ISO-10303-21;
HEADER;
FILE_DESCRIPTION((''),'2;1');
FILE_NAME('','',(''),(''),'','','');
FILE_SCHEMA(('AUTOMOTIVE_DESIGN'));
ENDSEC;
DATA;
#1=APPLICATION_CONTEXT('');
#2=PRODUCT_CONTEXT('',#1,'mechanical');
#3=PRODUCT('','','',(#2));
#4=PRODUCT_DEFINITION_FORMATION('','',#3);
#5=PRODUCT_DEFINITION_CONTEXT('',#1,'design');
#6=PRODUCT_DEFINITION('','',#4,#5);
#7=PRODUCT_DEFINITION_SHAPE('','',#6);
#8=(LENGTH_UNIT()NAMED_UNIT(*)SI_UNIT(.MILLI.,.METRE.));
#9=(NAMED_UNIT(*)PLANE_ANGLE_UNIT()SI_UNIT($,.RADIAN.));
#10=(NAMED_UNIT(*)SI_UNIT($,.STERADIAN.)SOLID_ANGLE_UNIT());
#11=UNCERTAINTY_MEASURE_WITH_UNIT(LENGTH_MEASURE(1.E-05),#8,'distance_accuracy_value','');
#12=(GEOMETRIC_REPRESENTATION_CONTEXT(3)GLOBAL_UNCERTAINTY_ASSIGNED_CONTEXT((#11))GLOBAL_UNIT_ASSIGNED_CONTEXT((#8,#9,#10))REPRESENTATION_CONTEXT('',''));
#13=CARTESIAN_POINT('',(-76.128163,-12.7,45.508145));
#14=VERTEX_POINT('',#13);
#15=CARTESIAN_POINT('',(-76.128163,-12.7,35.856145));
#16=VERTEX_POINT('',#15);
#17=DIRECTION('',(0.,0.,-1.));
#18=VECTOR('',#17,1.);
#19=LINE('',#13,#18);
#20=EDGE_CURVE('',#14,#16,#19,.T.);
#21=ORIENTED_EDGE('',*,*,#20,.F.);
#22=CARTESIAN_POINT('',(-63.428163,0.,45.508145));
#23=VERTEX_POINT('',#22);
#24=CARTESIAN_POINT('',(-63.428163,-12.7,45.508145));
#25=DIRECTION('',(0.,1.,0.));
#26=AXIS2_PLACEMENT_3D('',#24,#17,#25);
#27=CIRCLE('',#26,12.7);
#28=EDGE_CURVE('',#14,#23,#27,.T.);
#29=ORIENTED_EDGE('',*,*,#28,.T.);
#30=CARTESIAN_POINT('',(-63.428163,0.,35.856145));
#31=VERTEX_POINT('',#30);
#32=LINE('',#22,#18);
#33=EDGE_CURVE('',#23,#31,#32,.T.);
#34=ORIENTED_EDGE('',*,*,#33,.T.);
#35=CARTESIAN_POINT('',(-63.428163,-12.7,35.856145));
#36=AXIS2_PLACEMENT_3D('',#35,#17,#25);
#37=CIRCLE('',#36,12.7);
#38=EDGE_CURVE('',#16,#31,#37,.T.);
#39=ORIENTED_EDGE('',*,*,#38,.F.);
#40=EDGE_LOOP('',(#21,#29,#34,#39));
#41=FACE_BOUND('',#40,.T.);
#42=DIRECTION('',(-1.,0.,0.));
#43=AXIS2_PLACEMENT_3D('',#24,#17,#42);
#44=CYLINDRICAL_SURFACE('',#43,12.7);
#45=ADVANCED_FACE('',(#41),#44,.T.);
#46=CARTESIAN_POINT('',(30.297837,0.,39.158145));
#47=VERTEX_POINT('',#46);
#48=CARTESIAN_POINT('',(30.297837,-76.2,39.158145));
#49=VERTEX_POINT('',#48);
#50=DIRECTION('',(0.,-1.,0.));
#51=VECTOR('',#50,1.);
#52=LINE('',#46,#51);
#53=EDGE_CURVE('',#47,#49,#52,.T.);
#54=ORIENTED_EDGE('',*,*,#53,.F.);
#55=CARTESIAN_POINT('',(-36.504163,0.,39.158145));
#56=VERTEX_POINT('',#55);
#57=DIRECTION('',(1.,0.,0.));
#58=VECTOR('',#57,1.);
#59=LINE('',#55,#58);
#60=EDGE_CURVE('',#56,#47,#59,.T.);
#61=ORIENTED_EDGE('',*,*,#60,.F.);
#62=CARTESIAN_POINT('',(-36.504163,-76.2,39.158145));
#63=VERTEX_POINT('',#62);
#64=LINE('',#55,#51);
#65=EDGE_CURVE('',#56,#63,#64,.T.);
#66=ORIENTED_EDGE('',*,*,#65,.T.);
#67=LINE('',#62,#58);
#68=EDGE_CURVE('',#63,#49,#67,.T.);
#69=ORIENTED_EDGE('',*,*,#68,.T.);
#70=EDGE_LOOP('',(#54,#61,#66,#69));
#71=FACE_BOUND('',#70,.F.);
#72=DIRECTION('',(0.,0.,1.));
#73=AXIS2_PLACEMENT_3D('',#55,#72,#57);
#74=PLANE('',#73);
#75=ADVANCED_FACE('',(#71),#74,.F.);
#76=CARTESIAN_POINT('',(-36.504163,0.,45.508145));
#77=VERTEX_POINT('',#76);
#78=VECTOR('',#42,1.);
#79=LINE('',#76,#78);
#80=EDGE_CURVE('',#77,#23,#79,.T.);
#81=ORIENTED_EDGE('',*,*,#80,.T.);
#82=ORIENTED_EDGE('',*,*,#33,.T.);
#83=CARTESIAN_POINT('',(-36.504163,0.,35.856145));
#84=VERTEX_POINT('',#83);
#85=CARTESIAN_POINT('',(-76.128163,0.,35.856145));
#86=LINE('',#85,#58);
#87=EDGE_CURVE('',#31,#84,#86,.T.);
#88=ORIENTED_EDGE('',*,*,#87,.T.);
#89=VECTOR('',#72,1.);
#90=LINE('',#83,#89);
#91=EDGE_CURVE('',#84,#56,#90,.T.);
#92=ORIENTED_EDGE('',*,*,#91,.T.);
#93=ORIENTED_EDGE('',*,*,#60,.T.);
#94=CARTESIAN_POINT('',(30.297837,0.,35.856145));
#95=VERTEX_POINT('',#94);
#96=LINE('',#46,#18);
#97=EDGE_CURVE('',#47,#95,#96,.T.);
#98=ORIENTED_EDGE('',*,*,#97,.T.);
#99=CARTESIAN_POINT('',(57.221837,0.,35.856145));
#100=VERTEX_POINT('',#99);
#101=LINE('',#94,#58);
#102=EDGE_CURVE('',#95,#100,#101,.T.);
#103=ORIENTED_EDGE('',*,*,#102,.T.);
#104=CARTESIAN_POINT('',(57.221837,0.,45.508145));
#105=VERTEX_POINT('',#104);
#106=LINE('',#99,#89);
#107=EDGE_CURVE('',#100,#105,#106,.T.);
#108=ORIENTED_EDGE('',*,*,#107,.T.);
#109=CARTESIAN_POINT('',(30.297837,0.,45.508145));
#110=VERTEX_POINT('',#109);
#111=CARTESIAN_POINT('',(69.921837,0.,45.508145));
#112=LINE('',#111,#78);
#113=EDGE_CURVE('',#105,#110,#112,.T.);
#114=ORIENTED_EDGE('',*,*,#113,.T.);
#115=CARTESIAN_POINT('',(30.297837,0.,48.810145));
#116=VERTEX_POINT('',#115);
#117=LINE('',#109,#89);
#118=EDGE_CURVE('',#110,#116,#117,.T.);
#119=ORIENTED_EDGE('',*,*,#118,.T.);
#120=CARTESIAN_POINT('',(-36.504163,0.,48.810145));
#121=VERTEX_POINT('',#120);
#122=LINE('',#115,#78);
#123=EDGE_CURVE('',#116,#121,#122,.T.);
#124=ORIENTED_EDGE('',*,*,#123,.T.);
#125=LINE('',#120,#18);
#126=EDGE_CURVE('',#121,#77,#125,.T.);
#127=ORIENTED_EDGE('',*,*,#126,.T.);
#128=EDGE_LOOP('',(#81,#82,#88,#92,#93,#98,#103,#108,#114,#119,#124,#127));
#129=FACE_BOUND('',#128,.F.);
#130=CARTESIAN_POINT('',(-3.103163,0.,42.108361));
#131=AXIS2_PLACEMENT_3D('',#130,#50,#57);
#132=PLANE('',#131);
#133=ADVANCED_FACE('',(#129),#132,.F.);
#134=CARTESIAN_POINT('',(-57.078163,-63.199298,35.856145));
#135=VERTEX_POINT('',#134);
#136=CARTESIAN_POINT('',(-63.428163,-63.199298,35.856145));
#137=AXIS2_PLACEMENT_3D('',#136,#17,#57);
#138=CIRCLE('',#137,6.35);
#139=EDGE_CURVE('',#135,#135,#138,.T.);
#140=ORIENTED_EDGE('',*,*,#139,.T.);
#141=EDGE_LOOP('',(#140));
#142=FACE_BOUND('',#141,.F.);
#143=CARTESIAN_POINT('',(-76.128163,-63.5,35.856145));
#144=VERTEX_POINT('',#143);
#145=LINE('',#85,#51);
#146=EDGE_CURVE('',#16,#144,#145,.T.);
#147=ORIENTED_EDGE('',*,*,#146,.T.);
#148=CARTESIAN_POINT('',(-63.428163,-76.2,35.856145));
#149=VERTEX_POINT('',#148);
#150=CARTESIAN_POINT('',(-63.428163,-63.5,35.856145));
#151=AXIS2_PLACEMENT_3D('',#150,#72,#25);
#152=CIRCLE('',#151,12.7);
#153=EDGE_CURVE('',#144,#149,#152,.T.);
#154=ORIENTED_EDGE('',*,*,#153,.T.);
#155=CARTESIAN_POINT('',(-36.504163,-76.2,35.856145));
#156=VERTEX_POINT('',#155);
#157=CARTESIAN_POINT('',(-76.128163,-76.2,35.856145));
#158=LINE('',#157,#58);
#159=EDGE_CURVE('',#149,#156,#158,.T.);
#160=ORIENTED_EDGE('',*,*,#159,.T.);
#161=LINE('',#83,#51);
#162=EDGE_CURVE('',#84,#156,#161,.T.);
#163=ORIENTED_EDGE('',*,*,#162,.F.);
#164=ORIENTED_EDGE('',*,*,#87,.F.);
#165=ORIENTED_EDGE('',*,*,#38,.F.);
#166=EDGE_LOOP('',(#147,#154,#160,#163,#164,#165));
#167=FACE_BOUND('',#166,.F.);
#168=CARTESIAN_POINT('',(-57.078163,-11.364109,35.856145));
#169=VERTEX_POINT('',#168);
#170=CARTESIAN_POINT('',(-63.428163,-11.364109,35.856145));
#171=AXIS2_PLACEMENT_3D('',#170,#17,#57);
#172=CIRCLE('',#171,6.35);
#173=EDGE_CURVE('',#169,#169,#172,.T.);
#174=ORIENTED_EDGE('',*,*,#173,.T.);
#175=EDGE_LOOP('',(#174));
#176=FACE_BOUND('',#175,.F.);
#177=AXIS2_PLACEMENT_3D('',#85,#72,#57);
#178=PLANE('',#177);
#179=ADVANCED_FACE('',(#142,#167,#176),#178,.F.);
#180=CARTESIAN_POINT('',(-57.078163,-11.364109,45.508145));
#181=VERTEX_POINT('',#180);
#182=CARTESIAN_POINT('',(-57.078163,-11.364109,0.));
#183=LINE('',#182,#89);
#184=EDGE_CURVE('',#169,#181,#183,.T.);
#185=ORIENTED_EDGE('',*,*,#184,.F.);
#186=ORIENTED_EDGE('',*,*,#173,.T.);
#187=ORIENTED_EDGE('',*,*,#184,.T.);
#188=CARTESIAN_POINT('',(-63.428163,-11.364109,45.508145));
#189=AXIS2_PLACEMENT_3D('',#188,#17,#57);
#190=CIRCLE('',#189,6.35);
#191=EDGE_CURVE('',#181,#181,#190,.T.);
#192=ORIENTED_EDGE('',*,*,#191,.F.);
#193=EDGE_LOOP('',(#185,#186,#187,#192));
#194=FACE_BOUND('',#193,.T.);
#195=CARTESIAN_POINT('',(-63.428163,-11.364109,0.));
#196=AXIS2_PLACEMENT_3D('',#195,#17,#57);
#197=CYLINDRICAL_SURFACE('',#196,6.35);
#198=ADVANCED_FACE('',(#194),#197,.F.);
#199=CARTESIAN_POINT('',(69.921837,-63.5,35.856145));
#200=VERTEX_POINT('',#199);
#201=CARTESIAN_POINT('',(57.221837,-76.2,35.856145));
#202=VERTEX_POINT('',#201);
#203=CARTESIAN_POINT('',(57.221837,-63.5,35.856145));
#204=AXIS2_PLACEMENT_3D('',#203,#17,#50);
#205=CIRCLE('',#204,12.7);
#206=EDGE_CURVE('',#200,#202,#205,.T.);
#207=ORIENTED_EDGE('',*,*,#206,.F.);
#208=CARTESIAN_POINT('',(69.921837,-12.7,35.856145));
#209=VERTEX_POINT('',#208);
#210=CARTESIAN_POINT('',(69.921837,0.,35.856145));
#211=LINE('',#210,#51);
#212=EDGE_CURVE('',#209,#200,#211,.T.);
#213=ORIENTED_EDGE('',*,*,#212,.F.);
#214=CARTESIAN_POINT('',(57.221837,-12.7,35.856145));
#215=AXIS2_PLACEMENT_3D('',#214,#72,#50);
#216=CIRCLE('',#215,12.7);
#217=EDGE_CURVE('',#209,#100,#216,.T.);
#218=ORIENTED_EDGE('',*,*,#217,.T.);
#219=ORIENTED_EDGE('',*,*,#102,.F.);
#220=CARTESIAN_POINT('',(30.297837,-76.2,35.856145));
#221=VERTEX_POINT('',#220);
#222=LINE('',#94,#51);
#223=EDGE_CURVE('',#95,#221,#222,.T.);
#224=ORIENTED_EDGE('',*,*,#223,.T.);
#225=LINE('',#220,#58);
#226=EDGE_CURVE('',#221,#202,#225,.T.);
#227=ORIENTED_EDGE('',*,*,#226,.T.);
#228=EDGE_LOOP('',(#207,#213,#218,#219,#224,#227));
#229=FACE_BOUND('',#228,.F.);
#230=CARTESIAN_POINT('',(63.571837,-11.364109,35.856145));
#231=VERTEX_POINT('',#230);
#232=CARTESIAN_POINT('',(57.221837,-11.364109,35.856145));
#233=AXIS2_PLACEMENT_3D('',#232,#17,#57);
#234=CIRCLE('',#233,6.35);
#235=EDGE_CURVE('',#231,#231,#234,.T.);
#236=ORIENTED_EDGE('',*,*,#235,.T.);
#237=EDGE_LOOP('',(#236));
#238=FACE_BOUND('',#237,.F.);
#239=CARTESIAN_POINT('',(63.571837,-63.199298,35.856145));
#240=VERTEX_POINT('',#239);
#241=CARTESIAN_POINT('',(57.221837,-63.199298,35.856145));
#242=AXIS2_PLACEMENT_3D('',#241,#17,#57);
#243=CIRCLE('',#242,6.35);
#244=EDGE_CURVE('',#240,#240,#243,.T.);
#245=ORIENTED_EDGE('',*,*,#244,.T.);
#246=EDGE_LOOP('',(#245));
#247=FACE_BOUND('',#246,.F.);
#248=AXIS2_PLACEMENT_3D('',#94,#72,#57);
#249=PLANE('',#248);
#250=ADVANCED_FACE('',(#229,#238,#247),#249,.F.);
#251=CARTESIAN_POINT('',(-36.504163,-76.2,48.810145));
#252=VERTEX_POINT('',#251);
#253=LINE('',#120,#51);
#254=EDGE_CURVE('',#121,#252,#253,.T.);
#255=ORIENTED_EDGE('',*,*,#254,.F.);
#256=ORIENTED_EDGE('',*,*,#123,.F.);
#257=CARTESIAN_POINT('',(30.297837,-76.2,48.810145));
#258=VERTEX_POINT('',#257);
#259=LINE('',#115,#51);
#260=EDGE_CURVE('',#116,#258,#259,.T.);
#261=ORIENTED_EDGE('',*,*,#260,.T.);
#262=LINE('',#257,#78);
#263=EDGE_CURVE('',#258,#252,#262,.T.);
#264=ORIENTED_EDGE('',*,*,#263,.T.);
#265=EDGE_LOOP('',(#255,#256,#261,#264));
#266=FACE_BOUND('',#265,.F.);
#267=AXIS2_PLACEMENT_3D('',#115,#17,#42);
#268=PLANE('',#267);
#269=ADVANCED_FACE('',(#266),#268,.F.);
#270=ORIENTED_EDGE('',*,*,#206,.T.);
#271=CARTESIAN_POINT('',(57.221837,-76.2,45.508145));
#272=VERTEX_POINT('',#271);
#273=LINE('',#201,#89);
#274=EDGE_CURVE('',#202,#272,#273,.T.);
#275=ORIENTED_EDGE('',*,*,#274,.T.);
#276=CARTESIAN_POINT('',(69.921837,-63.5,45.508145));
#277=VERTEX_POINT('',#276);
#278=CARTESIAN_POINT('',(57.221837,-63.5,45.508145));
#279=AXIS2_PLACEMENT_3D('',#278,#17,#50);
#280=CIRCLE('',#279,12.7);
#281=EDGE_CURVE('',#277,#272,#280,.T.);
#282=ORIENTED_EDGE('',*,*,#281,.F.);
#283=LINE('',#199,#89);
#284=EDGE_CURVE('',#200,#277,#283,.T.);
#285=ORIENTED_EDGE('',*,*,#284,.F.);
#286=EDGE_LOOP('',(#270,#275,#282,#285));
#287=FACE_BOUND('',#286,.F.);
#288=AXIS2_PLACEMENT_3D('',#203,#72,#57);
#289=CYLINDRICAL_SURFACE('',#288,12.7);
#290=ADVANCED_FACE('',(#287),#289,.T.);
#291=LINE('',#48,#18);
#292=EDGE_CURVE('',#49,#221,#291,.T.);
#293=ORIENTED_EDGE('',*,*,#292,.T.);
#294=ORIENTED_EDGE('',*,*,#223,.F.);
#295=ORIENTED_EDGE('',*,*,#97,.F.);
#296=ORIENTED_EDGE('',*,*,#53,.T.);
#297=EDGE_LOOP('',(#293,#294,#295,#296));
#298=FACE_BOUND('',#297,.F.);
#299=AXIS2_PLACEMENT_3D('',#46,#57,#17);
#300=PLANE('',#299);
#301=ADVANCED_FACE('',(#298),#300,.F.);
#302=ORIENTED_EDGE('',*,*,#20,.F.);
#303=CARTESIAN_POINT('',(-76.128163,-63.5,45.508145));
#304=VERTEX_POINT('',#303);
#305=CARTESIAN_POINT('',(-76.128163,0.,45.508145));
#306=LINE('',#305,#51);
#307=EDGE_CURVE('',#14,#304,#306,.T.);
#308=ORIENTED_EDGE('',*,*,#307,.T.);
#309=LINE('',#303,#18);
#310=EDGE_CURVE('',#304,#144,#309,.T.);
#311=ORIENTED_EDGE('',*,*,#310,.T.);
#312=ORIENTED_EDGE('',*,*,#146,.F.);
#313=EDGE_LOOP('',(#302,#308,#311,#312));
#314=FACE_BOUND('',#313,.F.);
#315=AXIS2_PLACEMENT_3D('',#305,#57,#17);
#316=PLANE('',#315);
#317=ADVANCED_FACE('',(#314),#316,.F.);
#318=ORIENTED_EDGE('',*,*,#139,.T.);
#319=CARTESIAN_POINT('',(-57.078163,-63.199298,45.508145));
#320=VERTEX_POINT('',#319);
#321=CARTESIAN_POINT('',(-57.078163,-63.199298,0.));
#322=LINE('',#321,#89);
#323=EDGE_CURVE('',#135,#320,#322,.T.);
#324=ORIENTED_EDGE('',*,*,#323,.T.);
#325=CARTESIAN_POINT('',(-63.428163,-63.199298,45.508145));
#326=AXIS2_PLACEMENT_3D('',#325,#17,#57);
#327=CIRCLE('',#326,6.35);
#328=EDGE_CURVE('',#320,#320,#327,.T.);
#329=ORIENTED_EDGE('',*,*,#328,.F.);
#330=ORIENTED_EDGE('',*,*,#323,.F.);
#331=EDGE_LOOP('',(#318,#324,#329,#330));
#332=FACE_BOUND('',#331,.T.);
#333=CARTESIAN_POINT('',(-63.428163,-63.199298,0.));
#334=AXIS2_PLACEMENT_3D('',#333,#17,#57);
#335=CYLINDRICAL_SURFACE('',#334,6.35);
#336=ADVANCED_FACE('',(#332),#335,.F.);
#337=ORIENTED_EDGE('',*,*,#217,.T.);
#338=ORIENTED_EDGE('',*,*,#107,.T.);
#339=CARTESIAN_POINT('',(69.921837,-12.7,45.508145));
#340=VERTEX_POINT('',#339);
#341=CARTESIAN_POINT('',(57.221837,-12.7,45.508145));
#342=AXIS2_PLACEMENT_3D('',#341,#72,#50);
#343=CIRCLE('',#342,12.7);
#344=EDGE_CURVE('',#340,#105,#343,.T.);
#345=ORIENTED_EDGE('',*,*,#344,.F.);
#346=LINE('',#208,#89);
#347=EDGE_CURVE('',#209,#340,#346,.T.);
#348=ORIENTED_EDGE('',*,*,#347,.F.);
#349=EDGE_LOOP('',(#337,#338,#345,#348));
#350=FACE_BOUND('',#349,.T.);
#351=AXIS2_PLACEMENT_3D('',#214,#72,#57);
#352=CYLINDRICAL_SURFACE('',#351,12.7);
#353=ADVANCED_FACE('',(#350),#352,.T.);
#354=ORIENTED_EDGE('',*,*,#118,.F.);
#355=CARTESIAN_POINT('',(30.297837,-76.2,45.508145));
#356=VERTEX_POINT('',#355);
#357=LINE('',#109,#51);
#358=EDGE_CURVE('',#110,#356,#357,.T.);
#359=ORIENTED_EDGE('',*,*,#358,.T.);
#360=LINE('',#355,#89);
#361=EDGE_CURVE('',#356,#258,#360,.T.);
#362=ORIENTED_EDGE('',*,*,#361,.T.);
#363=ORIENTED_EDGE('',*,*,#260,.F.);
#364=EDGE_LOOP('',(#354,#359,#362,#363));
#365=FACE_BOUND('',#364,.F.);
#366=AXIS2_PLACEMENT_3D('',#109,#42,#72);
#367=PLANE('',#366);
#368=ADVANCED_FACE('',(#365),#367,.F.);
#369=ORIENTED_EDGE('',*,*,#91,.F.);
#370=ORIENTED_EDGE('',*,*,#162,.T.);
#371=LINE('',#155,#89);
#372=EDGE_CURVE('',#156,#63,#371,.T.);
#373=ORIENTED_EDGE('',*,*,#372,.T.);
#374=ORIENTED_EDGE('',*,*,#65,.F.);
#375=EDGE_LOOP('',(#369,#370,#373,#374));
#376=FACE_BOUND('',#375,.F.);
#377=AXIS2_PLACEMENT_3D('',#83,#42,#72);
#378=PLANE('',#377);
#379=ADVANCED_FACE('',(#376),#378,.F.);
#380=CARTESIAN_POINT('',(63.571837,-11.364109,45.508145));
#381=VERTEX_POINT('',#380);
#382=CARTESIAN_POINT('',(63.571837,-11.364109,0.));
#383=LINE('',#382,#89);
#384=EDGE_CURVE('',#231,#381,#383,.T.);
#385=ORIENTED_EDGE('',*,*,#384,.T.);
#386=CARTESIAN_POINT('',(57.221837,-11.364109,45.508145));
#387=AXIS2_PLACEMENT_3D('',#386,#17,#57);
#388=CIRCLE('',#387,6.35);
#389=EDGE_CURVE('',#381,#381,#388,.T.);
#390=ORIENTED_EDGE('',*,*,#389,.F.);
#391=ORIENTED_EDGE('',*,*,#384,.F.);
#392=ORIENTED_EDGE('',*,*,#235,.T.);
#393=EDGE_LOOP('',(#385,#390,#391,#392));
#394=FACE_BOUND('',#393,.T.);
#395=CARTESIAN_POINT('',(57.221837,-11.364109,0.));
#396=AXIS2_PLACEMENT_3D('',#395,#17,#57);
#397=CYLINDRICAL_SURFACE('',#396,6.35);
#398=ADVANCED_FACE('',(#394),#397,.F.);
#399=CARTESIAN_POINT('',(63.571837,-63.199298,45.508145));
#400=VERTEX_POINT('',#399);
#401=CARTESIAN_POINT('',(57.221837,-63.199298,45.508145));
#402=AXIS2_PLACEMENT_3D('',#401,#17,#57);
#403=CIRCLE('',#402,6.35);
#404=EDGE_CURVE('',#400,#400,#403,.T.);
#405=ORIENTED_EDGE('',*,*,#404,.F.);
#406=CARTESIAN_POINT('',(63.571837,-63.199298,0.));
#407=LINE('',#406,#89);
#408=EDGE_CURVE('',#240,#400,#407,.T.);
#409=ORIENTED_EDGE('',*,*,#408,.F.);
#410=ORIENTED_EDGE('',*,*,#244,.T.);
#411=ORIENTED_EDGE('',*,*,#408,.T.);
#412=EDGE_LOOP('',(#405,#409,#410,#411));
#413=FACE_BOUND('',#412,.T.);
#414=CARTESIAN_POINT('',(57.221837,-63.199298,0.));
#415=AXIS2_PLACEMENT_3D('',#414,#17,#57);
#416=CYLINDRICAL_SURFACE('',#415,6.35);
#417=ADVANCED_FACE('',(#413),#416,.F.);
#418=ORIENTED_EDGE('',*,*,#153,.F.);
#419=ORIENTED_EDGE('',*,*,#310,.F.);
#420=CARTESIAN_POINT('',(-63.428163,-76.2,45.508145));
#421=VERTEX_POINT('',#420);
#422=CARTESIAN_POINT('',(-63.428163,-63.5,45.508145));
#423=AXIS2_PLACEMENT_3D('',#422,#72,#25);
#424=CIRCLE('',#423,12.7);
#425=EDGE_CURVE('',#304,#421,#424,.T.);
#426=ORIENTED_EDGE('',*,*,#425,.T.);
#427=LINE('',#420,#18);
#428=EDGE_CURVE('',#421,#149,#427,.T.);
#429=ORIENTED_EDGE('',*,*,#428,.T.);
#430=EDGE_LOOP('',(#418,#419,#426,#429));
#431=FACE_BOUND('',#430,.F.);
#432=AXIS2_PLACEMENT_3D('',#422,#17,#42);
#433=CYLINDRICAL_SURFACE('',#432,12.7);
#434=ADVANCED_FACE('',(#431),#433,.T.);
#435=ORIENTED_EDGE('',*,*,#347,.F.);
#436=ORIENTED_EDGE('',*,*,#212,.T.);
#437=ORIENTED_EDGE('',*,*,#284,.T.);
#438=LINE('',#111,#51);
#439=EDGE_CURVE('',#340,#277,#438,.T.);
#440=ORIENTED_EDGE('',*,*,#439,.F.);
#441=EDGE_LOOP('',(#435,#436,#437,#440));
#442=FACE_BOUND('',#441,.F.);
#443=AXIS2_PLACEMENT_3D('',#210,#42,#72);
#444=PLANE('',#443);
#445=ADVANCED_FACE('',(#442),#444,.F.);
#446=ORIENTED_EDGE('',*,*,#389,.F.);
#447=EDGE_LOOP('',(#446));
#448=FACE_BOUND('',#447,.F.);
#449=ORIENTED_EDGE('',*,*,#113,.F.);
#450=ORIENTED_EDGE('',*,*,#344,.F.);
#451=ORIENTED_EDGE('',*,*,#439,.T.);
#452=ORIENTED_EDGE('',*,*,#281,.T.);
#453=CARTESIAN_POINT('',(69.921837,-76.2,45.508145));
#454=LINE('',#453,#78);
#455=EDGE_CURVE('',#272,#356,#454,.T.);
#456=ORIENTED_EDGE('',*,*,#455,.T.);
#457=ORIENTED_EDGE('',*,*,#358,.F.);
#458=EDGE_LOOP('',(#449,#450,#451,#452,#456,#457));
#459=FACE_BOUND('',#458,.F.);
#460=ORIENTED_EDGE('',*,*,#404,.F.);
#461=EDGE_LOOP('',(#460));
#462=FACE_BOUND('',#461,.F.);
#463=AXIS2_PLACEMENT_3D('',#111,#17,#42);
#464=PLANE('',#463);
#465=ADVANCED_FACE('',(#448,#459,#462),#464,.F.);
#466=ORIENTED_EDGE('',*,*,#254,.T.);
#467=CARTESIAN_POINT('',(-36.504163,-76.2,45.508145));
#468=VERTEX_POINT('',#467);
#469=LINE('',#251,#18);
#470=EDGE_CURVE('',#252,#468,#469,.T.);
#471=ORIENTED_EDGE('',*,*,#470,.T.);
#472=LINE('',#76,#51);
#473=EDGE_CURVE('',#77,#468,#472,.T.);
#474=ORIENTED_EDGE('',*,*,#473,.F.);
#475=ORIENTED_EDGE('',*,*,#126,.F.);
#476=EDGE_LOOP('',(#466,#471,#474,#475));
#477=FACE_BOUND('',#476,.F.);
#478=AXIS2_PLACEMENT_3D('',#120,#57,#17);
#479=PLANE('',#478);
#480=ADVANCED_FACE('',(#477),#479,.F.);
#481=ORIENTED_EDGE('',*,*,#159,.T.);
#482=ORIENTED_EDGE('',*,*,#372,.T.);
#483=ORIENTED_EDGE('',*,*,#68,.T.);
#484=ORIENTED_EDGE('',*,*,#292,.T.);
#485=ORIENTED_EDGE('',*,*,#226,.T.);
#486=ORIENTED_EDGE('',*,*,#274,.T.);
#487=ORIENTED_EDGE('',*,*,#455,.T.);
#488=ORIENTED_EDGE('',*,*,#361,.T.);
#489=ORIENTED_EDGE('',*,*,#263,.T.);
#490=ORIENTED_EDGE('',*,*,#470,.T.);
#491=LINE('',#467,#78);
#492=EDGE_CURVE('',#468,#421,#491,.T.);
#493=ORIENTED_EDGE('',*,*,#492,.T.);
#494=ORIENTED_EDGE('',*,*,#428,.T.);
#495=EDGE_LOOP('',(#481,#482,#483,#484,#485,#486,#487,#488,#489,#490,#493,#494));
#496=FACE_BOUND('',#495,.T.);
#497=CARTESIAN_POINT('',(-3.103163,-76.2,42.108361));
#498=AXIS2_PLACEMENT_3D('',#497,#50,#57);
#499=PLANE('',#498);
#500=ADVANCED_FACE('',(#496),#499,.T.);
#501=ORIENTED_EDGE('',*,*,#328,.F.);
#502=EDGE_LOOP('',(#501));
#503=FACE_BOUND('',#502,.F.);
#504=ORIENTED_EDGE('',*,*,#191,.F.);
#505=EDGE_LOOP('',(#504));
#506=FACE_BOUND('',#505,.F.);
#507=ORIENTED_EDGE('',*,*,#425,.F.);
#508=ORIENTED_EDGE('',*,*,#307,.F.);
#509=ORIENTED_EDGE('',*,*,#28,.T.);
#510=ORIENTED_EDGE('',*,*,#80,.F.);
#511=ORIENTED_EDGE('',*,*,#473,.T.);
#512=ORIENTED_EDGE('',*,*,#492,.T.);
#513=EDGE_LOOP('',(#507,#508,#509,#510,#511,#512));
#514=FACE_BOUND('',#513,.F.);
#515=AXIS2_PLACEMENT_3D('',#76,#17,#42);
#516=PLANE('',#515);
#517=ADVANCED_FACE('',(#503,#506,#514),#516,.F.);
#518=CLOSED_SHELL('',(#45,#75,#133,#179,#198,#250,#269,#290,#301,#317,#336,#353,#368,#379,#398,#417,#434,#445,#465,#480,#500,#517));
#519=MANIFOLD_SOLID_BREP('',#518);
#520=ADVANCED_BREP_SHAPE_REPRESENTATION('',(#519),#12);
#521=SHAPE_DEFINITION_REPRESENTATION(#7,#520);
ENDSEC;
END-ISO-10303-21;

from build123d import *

# Parameters (mm, degrees)
F1_DEPTH = 76.2
F2_R     = 12.7
F3_R     = 6.35
F4_DEPTH = 48.811145


with BuildPart() as f1:
    # F0 (on Front) → F1 (new body)
    with BuildSketch(Plane.XZ):
        Polygon((-36.504163, 45.508145), (-76.128163, 45.508145), (-76.128163, 35.856145), (-36.504163, 35.856145), (-36.504163, 39.158145), (30.297837, 39.158145), (30.297837, 35.856145), (69.921837, 35.856145), (69.921837, 45.508145), (30.297837, 45.508145), (30.297837, 48.810145), (-36.504163, 48.810145), align=None)
    extrude(amount=F1_DEPTH)

    # F2
    f2_edges = [f1.edges().sort_by_distance(p)[0] for p in [
        (69.921837, 0, 40.682145),
        (69.921837, -76.2, 40.682145),
        (-76.128163, -76.2, 40.682145),
        (-76.128163, 0, 40.682145),
    ]]
    fillet(f2_edges, radius=F2_R)

    # F3 (on Top) → F4 (cut, through all)
    with BuildSketch(Plane.XY):
        with Locations((57.221837, -11.364109)):
            Circle(F3_R)
        with Locations((57.221837, -63.199298)):
            Circle(F3_R)
        with Locations((-63.428163, -63.199298)):
            Circle(F3_R)
        with Locations((-63.428163, -11.364109)):
            Circle(F3_R)
    extrude(amount=F4_DEPTH, mode=Mode.SUBTRACT)


solid = f1.part
